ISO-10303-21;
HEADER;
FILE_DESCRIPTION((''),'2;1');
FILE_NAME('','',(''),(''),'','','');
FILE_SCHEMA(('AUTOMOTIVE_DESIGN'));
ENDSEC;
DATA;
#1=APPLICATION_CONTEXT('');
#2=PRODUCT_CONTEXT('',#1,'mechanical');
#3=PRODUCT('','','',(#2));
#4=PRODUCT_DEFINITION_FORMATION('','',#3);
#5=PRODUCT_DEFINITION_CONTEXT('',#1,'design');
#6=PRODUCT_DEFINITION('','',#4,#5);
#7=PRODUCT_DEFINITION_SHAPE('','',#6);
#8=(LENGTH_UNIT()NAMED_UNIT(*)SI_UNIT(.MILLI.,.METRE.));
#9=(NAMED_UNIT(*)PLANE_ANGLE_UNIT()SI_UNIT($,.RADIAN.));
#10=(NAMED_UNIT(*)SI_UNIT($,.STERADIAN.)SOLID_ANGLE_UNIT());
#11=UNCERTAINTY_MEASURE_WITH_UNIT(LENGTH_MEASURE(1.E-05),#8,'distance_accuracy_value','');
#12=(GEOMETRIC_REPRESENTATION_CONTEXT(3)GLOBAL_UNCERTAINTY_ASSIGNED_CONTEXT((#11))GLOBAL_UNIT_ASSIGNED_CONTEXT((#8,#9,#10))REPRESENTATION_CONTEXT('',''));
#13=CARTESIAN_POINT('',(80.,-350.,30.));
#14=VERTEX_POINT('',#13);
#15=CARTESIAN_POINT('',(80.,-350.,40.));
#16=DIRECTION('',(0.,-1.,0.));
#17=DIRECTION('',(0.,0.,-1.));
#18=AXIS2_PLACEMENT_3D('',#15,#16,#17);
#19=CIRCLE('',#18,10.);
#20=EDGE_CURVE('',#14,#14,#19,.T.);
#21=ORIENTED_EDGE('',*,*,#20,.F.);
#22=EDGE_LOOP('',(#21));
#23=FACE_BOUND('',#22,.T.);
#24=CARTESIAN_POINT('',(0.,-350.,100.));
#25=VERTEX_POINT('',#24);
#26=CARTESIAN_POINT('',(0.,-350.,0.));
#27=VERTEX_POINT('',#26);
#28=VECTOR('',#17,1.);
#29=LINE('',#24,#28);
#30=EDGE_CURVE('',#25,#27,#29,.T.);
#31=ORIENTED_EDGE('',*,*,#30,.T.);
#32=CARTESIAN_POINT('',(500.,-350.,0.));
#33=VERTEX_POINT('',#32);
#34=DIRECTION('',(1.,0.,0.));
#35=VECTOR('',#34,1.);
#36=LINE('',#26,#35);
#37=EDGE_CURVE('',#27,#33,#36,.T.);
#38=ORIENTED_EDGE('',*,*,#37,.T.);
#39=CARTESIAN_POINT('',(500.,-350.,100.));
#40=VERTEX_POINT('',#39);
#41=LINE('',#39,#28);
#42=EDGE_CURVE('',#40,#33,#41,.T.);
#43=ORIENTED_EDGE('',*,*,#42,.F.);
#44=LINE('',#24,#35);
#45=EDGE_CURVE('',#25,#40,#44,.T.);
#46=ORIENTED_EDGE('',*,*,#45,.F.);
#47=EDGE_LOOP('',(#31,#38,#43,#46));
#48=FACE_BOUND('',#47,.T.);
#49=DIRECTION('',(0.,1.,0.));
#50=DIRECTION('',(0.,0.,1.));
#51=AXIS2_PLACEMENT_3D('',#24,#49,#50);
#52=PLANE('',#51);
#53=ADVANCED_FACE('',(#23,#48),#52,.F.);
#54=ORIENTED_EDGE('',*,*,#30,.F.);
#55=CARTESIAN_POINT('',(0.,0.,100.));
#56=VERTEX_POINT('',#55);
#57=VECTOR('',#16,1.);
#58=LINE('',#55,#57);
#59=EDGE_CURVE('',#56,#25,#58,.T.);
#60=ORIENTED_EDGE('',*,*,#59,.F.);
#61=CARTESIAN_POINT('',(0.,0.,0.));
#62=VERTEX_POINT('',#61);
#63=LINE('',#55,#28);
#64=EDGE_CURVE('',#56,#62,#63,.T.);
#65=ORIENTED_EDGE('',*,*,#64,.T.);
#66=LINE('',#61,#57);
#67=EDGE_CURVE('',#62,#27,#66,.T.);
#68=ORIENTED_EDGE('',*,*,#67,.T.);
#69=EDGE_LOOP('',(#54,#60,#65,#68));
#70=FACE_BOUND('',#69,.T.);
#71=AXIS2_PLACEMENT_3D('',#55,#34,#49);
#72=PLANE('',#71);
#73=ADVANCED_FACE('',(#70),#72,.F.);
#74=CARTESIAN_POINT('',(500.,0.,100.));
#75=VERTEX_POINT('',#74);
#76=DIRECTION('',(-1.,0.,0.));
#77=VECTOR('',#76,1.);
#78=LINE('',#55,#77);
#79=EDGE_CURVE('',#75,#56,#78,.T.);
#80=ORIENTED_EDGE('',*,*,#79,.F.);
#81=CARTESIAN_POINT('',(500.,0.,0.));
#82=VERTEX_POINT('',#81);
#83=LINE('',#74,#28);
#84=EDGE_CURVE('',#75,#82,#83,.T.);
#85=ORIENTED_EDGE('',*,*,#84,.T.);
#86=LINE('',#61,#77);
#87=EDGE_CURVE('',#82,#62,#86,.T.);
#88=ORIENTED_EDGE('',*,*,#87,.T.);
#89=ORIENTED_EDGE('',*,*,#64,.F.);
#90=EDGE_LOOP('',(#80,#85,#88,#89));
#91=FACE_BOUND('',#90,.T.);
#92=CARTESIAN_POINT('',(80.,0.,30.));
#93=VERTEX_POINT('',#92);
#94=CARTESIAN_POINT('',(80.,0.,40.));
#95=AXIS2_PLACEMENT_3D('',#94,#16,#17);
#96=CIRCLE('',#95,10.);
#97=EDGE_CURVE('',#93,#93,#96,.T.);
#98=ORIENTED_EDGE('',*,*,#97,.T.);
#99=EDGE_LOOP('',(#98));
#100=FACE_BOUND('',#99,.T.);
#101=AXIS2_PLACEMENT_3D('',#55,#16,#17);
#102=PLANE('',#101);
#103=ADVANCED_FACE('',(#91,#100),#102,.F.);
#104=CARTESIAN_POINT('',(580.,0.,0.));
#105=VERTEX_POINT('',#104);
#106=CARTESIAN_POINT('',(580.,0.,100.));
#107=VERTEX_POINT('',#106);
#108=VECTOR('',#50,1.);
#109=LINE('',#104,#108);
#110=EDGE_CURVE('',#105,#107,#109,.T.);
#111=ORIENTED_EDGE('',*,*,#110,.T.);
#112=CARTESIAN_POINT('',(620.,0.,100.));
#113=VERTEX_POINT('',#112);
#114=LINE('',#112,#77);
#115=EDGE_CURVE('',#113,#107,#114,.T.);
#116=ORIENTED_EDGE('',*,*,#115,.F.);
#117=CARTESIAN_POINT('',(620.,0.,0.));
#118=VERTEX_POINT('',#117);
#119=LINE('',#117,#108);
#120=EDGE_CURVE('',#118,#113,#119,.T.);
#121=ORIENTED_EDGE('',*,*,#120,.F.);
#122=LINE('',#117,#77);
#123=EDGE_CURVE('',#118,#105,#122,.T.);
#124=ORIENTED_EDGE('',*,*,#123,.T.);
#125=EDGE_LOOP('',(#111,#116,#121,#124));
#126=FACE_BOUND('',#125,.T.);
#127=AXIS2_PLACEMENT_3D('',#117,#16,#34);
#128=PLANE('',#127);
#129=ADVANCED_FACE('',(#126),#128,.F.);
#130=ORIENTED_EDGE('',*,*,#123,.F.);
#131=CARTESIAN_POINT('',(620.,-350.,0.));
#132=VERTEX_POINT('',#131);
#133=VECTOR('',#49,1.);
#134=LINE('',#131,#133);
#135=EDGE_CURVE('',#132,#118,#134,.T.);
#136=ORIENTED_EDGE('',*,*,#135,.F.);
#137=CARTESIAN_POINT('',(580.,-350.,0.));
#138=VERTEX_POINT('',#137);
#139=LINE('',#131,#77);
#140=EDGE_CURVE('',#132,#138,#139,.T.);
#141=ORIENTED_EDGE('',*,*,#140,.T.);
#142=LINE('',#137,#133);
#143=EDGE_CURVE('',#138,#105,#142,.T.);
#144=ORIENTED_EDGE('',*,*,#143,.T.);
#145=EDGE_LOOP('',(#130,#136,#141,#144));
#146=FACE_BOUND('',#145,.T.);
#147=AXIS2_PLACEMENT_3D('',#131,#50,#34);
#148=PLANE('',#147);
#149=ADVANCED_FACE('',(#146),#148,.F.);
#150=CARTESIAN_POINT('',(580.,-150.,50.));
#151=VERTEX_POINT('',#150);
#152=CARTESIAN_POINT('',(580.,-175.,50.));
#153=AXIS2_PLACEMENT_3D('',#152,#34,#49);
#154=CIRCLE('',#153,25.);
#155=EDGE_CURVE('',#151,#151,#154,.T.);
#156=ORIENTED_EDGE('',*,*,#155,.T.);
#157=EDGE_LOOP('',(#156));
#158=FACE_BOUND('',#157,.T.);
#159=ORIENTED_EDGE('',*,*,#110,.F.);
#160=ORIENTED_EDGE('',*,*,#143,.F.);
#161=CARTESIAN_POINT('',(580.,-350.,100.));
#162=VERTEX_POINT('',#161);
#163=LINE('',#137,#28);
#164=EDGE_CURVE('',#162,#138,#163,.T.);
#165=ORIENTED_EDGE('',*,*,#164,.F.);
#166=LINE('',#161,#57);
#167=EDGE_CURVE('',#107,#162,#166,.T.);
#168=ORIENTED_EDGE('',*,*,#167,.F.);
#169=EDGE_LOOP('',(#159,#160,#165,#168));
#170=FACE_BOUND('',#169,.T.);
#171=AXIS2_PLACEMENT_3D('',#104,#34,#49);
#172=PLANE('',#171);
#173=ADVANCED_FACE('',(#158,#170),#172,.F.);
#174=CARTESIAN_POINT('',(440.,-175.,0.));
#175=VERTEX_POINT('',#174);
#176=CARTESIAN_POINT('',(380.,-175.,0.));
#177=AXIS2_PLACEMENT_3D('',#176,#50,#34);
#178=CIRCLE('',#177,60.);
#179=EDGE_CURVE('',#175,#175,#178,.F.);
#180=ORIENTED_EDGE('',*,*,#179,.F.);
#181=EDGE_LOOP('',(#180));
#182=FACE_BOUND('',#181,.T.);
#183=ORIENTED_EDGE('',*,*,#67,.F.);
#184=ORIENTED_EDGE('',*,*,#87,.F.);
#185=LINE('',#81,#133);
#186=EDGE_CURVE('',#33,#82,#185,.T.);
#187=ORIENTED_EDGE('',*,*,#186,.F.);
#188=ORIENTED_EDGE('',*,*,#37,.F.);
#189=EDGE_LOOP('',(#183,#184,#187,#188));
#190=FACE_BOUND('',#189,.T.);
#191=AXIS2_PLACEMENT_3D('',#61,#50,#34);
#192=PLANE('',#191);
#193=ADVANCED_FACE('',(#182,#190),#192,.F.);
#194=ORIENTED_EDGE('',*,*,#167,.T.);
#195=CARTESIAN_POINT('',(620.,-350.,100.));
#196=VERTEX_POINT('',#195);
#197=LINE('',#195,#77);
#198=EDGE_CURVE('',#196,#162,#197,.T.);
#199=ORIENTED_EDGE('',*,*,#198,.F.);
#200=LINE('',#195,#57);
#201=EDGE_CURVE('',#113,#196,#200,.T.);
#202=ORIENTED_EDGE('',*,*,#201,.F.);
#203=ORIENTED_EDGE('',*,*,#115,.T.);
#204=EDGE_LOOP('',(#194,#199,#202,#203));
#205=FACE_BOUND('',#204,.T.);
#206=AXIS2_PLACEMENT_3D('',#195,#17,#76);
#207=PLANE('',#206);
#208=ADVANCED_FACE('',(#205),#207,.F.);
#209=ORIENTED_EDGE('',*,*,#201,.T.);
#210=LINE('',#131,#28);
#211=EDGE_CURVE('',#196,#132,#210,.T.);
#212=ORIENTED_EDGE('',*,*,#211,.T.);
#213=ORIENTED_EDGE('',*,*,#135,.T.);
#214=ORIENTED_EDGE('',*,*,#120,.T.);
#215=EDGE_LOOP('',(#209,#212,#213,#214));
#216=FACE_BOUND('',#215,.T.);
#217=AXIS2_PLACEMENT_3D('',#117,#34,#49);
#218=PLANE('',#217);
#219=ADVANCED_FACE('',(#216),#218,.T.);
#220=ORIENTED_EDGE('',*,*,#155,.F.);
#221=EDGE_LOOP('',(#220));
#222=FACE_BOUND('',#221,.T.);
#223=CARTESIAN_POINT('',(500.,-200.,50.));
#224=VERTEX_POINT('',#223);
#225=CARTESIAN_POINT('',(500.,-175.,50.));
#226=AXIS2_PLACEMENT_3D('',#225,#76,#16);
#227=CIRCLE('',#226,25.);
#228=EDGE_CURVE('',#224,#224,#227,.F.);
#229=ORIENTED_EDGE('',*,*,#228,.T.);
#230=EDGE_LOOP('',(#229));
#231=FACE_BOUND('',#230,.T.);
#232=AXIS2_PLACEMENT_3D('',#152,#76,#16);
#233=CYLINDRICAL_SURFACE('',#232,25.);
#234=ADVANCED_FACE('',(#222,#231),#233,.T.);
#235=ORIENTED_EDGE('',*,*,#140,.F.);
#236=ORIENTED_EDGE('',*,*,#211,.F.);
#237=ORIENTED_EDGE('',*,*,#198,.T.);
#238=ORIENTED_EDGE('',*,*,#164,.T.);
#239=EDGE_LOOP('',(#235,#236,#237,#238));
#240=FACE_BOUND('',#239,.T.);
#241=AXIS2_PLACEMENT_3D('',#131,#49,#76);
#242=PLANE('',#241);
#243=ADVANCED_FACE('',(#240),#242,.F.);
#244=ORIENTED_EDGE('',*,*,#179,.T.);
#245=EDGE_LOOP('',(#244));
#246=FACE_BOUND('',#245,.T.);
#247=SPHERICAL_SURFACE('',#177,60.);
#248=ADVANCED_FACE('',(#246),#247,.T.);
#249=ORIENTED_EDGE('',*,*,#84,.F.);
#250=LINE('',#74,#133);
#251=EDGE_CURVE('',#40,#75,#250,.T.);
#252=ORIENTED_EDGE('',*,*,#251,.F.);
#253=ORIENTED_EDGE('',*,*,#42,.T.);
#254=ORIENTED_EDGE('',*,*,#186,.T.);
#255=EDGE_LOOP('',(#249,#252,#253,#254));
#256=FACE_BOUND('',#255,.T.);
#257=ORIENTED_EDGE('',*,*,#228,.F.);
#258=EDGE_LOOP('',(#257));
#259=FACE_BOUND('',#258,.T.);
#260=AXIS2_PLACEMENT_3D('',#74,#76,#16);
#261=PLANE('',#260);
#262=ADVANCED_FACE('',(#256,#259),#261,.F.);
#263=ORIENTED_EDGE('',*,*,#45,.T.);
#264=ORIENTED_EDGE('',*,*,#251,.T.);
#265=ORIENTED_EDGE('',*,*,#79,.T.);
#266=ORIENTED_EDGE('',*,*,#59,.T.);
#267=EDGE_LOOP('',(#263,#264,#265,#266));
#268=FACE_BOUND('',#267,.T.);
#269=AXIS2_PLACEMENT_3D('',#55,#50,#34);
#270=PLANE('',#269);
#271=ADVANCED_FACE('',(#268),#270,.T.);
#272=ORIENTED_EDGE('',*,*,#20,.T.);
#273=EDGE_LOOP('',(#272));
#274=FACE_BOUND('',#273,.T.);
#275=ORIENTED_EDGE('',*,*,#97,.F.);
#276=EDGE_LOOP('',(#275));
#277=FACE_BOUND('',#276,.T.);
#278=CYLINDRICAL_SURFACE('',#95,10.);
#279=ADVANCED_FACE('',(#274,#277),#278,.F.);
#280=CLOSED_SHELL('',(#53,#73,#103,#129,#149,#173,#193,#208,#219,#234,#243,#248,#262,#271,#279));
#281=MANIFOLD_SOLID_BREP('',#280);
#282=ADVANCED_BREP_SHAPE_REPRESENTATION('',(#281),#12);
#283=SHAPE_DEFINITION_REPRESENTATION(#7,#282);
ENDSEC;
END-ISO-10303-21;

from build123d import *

# Parameters (mm, degrees)
SKETCH1_W           = 500
SKETCH1_H           = 350
BOSS_EXTRUDE1_DEPTH = 100
SKETCH2_R           = 10
CUT_EXTRUDE1_DEPTH  = 619.465843843
REVOLVE1_ANGLE      = 180
SKETCH4_R           = 25
BOSS_EXTRUDE2_DEPTH = 80
SKETCH5_W           = 100
SKETCH5_H           = 350
BOSS_EXTRUDE3_DEPTH = 40


with BuildPart() as part:
    # Sketch1 → Boss-Extrude1 (new body)
    with BuildSketch(Plane.XY):
        with Locations((250, -175)):
            Rectangle(SKETCH1_W, SKETCH1_H)
    extrude(amount=BOSS_EXTRUDE1_DEPTH)

    # Sketch2 → Cut-Extrude1 (cut, through all)
    with BuildSketch(Plane.XZ.offset(350)):
        with Locations(Location((80, 40, 0), (0, 0, 270))):
            Circle(SKETCH2_R)
    extrude(amount=-CUT_EXTRUDE1_DEPTH, mode=Mode.SUBTRACT)

    # Sketch3 → Revolve1 (revolve)
    with BuildSketch(Plane(origin=(0, 0, 0), x_dir=(-1, 0, 0), z_dir=(0, 0, -1))):
        with BuildLine():
            Line((-440, -175), (-320, -175))
            ThreePointArc((-320, -175), (-380, -235), (-440, -175))
        make_face()
    revolve(axis=Axis((500, -175, 0), (1, 0, 0)), revolution_arc=REVOLVE1_ANGLE)

    # Sketch4 → Boss-Extrude2 (add)
    with BuildSketch(Plane(origin=(500, 0, 0), x_dir=(0, 0, -1), z_dir=(1, 0, 0))):
        with Locations(Location((-50, -175, 0), (0, 0, 270))):
            Circle(SKETCH4_R)
    extrude(amount=BOSS_EXTRUDE2_DEPTH)

    # Sketch5 → Boss-Extrude3 (add)
    with BuildSketch(Plane(origin=(580, 0, 0), x_dir=(0, 0, -1), z_dir=(1, 0, 0))):
        with Locations((-50, -175)):
            Rectangle(SKETCH5_W, SKETCH5_H)
    extrude(amount=BOSS_EXTRUDE3_DEPTH)


solid = part.part
